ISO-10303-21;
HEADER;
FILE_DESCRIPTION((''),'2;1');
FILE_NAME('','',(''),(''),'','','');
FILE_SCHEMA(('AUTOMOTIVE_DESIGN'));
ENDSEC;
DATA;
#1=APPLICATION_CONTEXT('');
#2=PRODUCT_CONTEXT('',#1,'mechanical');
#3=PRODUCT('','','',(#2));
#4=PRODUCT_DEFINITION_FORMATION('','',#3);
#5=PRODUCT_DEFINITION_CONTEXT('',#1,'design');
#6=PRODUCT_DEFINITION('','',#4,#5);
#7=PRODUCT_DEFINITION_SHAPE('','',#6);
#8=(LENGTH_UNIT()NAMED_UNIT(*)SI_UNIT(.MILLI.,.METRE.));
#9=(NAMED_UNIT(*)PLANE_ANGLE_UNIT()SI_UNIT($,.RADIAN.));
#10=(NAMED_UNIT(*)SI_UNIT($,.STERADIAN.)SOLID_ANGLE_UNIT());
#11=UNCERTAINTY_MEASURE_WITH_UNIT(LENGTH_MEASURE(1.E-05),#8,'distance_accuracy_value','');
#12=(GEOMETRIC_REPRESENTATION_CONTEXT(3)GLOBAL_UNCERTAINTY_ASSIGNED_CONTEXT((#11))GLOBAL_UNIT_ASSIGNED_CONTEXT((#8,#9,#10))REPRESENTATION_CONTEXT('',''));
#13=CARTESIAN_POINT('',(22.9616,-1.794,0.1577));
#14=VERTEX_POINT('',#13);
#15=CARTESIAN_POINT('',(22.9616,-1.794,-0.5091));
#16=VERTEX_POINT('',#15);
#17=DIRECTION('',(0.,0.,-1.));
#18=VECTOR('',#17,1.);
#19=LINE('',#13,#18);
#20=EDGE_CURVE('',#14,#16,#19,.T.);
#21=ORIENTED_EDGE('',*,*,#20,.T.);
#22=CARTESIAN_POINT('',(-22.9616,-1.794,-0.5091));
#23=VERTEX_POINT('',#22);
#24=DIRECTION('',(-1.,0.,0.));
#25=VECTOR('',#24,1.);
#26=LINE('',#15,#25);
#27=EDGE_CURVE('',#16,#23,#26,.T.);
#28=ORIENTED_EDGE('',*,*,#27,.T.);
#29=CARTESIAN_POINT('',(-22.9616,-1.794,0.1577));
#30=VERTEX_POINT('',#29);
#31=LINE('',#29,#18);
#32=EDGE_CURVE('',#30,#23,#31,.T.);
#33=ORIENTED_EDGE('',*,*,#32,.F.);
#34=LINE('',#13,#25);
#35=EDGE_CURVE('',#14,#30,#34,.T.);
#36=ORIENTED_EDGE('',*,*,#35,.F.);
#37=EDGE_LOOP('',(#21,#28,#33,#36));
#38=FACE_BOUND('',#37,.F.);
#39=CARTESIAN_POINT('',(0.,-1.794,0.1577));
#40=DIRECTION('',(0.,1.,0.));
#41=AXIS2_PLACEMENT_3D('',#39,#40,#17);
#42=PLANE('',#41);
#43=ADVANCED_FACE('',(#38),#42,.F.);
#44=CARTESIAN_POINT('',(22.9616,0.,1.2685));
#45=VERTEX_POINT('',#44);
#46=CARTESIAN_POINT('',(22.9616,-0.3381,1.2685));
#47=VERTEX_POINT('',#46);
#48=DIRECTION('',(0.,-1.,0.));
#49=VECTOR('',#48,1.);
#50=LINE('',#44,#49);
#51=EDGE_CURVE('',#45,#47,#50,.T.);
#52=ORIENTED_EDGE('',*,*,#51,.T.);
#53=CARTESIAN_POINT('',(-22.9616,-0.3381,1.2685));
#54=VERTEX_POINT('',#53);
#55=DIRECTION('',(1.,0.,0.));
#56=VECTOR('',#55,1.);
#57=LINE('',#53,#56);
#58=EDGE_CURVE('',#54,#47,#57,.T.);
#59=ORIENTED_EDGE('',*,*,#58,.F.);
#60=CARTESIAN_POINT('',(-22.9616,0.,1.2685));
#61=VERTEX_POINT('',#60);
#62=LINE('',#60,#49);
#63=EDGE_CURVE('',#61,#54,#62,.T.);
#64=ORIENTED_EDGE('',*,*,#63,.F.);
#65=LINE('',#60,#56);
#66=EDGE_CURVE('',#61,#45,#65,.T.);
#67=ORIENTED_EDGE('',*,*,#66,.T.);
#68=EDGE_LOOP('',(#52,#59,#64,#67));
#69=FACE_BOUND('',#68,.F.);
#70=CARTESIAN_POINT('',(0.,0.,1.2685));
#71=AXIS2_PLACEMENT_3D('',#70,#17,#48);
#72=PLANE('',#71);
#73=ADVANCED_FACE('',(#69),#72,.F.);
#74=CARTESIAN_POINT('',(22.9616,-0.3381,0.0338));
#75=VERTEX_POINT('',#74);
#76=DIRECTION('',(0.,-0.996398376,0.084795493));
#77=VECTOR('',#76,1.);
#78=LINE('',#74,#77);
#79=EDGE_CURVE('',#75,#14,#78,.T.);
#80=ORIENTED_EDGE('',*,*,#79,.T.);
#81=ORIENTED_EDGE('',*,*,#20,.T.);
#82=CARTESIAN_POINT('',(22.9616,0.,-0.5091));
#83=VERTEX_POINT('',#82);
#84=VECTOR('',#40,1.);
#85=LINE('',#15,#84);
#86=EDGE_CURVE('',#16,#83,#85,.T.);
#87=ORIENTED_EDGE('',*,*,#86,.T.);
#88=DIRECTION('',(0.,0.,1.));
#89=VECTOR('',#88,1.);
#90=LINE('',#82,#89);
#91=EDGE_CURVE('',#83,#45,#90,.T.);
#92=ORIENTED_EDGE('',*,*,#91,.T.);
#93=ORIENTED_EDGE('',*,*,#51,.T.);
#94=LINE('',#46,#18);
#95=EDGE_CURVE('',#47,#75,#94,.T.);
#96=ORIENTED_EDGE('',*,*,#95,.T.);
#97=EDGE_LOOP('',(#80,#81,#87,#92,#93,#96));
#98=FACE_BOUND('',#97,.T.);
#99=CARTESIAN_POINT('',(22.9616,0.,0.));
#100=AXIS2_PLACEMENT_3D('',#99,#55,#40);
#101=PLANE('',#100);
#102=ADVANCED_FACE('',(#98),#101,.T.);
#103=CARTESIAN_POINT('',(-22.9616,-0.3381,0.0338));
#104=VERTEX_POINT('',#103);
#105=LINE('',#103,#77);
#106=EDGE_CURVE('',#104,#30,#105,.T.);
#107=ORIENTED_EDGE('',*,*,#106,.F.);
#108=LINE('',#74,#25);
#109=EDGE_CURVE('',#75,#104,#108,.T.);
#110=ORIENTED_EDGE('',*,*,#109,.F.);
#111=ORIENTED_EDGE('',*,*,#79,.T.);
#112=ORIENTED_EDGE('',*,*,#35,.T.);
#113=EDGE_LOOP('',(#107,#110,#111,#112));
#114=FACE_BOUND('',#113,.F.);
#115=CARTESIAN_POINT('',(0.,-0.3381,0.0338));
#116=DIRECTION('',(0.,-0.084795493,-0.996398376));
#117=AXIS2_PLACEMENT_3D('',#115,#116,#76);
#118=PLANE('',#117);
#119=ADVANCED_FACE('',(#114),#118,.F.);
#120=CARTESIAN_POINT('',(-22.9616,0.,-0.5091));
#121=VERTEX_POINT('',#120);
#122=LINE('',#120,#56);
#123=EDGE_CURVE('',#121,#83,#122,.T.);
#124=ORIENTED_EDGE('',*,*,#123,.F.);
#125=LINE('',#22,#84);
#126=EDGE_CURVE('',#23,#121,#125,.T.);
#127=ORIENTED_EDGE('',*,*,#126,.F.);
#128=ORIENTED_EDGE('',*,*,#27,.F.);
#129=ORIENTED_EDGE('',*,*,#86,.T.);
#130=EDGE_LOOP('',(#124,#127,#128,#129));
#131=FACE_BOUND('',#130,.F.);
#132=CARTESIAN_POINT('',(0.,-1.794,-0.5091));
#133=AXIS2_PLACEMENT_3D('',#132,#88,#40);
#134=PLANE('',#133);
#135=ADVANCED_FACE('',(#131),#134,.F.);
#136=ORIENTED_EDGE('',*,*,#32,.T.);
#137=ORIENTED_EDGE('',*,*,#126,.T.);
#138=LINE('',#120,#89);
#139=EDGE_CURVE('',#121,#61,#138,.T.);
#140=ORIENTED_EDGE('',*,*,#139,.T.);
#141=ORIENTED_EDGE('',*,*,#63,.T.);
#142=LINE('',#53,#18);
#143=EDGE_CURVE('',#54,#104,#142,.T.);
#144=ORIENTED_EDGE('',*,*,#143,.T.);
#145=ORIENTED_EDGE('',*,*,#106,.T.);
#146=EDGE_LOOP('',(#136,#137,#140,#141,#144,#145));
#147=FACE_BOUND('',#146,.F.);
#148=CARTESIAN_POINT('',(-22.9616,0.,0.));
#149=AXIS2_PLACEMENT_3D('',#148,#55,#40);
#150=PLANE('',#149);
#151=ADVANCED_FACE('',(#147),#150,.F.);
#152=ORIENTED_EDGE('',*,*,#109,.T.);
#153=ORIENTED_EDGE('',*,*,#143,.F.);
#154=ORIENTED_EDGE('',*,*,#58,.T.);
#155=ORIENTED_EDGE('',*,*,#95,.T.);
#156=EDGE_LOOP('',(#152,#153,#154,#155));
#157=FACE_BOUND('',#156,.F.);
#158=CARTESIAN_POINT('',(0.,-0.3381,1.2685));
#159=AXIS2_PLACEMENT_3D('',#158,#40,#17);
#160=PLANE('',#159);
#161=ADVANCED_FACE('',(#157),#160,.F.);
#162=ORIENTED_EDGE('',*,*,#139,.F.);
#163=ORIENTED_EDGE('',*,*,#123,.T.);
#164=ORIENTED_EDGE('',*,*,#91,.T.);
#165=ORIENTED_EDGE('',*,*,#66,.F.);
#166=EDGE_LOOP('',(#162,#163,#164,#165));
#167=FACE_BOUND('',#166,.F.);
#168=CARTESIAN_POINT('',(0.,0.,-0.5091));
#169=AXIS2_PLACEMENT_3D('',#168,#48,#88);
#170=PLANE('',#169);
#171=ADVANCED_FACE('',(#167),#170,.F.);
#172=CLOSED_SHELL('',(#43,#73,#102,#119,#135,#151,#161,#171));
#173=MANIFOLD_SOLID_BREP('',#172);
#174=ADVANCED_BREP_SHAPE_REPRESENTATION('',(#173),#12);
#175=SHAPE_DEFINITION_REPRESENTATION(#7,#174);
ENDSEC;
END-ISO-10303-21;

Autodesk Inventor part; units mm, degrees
ref_plane "YZ Plane" through (0, 0, 0) normal (1, 0, 0) x (0, 1, 0)
ref_plane "XZ Plane" through (0, 0, 0) normal (0, 1, 0) x (-1, 0, 0)
ref_plane "XY Plane" through (0, 0, 0) normal (0, 0, 1) x (1, 0, 0)
sketch "Sketch1" plane through (0, 0, 0) normal (1, 0, 0) x (0, 1, 0)
  line L0 (0, -0.5091) -> (0, 1.2685)
  line L1 (0, 1.2685) -> (-0.3381, 1.2685)
  line L2 (-0.3381, 1.2685) -> (-0.3381, 0.0338)
  line L3 (-0.3381, 0.0338) -> (-1.794, 0.1577)
  line L4 (-1.794, 0.1577) -> (-1.794, -0.5091)
  line L5 (-1.794, -0.5091) -> (0, -0.5091)
  point P0 (0, 0)
extrude "Extrusion1" add sketch "Sketch1" along normal mid plane 45.9232
properties part number "feederTrack_base"
